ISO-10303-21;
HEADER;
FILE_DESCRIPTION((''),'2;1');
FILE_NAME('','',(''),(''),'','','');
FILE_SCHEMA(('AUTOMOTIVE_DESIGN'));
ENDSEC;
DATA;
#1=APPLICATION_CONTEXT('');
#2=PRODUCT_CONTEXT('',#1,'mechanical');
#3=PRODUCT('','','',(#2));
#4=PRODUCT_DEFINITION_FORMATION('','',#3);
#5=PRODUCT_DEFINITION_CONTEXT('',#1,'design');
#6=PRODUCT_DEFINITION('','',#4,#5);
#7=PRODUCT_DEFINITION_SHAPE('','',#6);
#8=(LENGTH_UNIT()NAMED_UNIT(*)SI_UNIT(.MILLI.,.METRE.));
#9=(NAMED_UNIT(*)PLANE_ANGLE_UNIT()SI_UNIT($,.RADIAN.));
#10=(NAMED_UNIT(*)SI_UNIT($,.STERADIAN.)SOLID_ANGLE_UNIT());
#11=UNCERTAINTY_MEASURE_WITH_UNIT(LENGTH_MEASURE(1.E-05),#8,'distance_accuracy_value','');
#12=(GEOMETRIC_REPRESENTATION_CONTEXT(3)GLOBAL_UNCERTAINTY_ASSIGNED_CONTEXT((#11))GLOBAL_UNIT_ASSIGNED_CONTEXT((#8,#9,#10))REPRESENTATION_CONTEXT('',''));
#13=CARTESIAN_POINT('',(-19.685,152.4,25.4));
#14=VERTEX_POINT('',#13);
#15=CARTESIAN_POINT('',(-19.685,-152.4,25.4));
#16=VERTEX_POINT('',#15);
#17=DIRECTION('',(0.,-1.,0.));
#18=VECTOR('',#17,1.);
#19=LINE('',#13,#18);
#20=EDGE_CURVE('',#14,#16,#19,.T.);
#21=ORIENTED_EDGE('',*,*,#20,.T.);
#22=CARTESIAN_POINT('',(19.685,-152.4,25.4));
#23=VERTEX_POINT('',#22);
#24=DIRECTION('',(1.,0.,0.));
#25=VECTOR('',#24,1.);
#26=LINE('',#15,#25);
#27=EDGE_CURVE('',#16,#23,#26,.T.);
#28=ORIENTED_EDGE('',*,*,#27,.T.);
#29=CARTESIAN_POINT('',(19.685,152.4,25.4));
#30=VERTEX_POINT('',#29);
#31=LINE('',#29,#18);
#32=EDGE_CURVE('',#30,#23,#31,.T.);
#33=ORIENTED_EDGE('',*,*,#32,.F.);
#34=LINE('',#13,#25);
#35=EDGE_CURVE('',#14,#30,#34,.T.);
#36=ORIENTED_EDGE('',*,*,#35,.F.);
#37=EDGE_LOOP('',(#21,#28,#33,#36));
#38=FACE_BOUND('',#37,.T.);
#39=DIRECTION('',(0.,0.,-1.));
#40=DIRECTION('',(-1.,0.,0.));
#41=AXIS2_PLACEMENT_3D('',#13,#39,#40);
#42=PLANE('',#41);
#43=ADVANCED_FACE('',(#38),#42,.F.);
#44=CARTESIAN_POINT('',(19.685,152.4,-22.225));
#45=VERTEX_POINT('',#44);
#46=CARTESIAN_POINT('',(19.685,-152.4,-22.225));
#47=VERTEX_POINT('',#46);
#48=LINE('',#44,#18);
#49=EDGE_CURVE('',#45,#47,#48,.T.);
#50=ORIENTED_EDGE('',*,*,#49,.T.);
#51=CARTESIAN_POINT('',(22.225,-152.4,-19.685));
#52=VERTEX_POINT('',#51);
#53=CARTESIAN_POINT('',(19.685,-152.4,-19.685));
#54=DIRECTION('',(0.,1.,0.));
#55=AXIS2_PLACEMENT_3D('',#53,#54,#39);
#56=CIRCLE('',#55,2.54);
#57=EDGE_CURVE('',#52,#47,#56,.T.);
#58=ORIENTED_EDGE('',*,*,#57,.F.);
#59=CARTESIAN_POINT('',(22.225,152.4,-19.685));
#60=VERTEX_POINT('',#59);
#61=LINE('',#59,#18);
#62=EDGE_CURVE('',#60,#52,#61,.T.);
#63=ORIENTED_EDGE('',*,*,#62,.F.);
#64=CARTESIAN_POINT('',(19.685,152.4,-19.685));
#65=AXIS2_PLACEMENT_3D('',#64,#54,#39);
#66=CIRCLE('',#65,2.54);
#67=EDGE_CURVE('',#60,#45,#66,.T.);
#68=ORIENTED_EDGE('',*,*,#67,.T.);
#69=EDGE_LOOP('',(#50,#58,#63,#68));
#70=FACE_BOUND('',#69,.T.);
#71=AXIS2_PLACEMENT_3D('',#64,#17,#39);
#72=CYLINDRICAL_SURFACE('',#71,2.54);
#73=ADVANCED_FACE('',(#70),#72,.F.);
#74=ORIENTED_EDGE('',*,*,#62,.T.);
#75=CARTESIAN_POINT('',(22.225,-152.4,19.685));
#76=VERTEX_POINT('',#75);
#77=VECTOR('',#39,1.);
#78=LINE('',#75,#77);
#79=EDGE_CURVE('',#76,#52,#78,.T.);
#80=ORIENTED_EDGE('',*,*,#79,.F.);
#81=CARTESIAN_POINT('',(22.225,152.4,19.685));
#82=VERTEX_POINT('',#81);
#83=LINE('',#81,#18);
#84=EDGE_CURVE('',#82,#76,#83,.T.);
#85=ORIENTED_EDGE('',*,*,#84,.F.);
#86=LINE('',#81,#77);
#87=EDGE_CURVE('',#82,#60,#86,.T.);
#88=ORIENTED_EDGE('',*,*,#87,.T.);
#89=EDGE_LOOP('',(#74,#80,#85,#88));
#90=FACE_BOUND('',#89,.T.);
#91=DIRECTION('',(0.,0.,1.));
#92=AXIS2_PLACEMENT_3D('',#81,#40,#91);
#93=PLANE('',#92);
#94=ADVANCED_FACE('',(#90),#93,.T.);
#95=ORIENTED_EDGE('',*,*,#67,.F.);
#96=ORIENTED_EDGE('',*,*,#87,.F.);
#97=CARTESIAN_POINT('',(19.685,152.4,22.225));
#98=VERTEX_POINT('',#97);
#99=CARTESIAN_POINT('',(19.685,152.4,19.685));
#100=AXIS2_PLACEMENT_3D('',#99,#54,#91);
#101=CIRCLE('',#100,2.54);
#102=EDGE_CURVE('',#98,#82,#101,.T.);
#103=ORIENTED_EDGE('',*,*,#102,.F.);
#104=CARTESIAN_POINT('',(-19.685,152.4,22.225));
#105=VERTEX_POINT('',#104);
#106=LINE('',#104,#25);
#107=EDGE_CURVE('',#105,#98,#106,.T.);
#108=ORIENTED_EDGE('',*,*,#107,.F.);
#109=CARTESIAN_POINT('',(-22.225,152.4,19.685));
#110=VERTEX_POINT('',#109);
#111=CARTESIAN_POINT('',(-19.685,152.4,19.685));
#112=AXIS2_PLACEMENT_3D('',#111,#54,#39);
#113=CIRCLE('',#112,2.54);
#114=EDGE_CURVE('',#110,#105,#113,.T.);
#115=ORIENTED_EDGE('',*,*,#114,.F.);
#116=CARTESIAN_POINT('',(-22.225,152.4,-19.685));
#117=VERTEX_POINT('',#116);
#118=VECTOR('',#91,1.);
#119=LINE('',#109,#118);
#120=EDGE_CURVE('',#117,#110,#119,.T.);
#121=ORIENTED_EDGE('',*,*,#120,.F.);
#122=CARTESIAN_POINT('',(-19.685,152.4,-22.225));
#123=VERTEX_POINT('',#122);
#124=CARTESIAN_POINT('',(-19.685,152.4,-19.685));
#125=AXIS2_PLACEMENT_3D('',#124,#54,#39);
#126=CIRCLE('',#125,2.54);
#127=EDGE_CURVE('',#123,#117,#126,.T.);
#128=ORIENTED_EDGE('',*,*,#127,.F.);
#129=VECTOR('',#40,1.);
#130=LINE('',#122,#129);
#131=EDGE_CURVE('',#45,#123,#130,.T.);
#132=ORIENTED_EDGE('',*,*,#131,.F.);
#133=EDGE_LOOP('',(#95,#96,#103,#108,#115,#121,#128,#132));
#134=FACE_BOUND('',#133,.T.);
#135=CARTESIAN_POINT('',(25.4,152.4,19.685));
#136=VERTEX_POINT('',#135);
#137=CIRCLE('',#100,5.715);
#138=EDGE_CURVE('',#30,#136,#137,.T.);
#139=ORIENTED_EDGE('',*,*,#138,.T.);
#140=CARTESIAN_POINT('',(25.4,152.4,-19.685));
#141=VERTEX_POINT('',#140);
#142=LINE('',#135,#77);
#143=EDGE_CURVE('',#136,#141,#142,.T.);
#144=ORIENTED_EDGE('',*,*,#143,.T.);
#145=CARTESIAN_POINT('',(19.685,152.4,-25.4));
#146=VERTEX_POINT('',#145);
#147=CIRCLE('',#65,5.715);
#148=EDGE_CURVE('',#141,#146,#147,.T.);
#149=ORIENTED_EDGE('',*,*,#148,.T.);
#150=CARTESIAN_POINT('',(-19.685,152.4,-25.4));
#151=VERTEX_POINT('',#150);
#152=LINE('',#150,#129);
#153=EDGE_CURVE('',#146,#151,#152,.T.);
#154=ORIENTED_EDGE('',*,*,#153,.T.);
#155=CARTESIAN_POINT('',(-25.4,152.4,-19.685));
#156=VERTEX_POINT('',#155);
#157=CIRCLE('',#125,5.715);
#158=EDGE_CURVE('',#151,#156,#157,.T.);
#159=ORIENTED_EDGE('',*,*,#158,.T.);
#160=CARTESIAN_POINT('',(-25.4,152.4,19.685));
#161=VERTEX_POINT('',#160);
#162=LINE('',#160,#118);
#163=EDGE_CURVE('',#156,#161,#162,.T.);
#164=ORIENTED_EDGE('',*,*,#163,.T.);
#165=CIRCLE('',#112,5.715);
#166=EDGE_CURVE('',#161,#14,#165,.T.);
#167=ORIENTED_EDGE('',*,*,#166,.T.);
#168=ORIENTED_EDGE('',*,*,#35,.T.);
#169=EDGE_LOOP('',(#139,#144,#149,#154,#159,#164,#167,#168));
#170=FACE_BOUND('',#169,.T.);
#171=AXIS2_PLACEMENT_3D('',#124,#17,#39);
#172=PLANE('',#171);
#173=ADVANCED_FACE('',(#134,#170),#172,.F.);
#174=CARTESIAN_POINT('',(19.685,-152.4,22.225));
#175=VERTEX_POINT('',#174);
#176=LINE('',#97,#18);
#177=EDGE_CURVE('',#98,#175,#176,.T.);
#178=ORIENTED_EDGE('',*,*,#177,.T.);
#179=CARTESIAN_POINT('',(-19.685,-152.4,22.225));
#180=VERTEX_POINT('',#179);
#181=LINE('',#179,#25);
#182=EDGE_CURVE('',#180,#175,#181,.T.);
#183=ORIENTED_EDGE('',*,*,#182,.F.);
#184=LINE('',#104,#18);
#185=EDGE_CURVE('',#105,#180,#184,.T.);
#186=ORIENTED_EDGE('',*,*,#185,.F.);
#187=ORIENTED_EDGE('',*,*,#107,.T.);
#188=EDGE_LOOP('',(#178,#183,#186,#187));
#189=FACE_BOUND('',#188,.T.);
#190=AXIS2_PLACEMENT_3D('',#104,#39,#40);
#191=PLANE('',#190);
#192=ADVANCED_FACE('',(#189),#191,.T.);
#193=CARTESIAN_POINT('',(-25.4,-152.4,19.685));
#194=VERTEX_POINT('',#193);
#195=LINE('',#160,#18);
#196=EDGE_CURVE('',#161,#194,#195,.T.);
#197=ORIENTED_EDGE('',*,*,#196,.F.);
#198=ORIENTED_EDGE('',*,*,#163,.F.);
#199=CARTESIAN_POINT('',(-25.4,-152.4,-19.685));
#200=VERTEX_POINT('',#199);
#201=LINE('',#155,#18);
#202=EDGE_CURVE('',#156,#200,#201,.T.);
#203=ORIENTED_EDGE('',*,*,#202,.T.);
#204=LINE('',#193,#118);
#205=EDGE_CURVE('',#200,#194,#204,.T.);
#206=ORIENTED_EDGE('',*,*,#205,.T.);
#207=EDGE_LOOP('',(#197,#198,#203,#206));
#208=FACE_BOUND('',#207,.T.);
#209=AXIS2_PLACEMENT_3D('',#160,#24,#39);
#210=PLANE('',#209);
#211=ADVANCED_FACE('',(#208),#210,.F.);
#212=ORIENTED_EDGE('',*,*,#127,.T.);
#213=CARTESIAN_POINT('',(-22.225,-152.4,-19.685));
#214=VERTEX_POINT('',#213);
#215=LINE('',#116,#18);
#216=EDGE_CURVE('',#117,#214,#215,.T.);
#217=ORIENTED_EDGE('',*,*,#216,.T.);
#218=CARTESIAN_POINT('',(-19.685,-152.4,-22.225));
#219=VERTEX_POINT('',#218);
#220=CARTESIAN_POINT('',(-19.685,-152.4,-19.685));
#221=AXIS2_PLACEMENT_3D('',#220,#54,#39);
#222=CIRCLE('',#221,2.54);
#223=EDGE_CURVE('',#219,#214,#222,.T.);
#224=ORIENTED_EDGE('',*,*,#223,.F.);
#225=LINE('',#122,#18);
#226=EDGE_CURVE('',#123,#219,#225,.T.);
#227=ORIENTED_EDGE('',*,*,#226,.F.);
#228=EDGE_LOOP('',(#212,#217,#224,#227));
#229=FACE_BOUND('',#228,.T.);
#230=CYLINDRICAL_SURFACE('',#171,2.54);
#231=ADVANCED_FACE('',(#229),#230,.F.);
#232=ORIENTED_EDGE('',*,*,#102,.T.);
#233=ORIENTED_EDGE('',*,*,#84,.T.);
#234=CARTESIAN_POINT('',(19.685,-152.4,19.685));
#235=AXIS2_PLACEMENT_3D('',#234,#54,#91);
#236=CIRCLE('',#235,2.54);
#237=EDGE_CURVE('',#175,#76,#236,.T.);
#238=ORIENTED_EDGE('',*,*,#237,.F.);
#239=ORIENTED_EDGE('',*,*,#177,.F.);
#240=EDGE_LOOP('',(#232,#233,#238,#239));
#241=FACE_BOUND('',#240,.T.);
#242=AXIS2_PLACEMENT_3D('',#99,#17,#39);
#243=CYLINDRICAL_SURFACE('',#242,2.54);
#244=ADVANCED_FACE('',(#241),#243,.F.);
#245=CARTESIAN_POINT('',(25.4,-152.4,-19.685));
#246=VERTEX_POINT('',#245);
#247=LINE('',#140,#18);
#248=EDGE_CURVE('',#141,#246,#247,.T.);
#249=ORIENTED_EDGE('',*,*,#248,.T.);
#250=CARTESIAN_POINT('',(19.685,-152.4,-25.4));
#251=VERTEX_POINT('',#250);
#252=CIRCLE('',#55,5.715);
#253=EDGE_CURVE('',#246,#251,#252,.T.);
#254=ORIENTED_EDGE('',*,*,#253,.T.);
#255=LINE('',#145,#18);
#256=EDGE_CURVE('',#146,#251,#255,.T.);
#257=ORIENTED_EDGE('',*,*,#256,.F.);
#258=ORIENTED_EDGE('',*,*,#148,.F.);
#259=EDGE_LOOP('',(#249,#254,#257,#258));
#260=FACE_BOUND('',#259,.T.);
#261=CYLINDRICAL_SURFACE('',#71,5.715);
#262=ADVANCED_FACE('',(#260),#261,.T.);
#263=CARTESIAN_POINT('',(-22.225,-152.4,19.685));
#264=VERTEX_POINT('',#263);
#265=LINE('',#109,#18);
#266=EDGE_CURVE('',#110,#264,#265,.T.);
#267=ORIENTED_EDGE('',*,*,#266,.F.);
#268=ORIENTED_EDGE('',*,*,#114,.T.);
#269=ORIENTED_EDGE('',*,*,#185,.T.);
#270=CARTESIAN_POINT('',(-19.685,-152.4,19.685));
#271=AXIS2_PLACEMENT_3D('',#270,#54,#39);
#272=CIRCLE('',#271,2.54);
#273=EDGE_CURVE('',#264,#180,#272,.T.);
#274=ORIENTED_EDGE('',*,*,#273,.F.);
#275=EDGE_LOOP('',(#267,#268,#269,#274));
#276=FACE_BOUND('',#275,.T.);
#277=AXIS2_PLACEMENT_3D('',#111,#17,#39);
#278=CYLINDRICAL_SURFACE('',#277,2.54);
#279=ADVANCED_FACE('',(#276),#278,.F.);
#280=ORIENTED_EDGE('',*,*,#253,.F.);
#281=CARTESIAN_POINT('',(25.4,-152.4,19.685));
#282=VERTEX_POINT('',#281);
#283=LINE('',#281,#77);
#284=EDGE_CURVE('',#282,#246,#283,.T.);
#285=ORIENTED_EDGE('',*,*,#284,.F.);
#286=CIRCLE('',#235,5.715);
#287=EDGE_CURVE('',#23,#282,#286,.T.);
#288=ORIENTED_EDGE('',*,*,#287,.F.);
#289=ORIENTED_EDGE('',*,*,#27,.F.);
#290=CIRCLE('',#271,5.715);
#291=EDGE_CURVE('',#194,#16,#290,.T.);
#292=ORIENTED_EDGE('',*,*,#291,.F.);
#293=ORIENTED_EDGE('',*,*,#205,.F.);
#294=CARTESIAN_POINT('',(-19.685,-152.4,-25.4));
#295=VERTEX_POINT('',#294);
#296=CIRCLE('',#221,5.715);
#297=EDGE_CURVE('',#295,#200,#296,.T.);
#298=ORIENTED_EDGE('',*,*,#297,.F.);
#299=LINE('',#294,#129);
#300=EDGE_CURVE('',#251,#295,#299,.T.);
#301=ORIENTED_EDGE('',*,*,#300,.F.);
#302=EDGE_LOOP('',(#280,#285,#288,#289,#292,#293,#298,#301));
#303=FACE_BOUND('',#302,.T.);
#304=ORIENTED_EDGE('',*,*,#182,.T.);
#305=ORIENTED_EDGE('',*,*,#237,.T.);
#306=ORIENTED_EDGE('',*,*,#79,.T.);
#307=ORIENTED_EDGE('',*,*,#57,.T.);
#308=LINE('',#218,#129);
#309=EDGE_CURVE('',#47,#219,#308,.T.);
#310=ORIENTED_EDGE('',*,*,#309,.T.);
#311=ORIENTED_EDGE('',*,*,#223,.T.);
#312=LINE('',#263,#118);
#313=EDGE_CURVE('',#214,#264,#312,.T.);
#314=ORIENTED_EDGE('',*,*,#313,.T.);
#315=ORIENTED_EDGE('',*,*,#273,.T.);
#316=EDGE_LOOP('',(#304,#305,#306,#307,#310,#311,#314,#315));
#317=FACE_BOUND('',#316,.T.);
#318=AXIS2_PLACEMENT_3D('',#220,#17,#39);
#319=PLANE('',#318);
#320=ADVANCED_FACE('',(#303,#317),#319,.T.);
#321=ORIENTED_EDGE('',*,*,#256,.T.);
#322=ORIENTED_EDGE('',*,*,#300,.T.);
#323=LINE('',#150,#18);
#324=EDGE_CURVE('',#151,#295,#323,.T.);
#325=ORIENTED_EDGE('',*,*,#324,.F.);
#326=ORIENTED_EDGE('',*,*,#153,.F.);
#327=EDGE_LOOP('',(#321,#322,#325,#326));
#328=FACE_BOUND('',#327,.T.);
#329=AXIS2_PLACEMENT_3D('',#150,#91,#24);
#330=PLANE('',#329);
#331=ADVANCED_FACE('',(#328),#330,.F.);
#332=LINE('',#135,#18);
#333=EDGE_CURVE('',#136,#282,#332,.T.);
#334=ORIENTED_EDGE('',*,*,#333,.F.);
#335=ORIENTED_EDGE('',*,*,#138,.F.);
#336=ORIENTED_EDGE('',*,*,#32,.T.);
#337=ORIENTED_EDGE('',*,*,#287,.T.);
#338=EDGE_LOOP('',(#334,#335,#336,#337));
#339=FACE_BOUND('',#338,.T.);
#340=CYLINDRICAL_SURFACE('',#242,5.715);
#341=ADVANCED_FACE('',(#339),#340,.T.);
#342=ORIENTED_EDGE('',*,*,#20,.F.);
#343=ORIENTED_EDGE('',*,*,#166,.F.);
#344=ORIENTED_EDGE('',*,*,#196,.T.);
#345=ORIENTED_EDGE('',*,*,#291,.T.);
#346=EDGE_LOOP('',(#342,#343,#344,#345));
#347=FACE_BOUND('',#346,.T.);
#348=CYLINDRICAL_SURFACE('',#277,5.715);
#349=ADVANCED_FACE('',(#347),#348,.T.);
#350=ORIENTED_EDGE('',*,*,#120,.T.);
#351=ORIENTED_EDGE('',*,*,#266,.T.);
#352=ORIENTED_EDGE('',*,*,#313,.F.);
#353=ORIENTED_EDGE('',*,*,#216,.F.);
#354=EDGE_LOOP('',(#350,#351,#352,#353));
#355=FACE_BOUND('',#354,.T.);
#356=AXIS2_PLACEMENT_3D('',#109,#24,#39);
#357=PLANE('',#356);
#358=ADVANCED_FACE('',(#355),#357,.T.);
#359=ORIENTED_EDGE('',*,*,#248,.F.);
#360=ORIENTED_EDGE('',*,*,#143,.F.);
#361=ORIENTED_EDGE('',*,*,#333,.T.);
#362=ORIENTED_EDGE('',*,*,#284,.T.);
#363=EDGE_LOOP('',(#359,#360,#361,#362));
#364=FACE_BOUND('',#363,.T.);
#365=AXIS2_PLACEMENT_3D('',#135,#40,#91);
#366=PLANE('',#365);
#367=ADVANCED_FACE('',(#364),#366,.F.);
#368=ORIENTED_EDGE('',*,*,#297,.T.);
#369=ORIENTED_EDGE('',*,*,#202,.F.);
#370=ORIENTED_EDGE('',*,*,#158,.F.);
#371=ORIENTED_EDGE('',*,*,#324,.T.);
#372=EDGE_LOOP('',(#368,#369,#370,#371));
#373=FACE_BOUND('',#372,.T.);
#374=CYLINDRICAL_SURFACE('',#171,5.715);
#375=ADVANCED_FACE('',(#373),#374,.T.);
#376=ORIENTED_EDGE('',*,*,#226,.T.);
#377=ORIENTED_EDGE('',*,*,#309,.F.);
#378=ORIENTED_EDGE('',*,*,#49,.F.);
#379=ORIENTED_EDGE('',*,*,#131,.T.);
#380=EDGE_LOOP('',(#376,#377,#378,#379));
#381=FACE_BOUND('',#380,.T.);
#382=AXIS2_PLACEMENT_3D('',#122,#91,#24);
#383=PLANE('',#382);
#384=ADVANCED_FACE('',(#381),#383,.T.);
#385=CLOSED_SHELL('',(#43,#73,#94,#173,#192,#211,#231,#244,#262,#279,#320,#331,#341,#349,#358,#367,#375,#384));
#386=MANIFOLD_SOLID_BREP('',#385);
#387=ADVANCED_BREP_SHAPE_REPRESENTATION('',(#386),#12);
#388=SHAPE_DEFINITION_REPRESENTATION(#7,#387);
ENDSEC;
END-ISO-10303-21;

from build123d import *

# Parameters (mm, degrees)
BOSS_EXTRUDE1_DEPTH = 152.4


with BuildPart() as part:
    # Sketch1 → Boss-Extrude1 (new, symmetric)
    with BuildSketch(Plane(origin=(0, 0, 0), x_dir=(1, 0, 0), z_dir=(0, 1, 0))):
        with BuildLine():
            Line((-19.685, 25.4), (19.685, 25.4))
            ThreePointArc((19.685, 25.4), (23.726115254, 23.726115254), (25.4, 19.685))
            Line((25.4, 19.685), (25.4, -19.685))
            ThreePointArc((25.4, -19.685), (23.726115254, -23.726115254), (19.685, -25.4))
            Line((19.685, -25.4), (-19.685, -25.4))
            ThreePointArc((-19.685, -25.4), (-23.726115254, -23.726115254), (-25.4, -19.685))
            Line((-25.4, -19.685), (-25.4, 19.685))
            ThreePointArc((-25.4, 19.685), (-23.726115254, 23.726115254), (-19.685, 25.4))
        make_face()
        with BuildLine():
            Line((-19.685, -22.225), (19.685, -22.225))
            ThreePointArc((19.685, -22.225), (21.481051224, -21.481051224), (22.225, -19.685))
            Line((22.225, -19.685), (22.225, 19.685))
            ThreePointArc((22.225, 19.685), (21.481051224, 21.481051224), (19.685, 22.225))
            Line((19.685, 22.225), (-19.685, 22.225))
            ThreePointArc((-19.685, 22.225), (-21.481051224, 21.481051224), (-22.225, 19.685))
            Line((-22.225, 19.685), (-22.225, -19.685))
            ThreePointArc((-22.225, -19.685), (-21.481051224, -21.481051224), (-19.685, -22.225))
        make_face(mode=Mode.SUBTRACT)
    extrude(amount=BOSS_EXTRUDE1_DEPTH, both=True)


solid = part.part
